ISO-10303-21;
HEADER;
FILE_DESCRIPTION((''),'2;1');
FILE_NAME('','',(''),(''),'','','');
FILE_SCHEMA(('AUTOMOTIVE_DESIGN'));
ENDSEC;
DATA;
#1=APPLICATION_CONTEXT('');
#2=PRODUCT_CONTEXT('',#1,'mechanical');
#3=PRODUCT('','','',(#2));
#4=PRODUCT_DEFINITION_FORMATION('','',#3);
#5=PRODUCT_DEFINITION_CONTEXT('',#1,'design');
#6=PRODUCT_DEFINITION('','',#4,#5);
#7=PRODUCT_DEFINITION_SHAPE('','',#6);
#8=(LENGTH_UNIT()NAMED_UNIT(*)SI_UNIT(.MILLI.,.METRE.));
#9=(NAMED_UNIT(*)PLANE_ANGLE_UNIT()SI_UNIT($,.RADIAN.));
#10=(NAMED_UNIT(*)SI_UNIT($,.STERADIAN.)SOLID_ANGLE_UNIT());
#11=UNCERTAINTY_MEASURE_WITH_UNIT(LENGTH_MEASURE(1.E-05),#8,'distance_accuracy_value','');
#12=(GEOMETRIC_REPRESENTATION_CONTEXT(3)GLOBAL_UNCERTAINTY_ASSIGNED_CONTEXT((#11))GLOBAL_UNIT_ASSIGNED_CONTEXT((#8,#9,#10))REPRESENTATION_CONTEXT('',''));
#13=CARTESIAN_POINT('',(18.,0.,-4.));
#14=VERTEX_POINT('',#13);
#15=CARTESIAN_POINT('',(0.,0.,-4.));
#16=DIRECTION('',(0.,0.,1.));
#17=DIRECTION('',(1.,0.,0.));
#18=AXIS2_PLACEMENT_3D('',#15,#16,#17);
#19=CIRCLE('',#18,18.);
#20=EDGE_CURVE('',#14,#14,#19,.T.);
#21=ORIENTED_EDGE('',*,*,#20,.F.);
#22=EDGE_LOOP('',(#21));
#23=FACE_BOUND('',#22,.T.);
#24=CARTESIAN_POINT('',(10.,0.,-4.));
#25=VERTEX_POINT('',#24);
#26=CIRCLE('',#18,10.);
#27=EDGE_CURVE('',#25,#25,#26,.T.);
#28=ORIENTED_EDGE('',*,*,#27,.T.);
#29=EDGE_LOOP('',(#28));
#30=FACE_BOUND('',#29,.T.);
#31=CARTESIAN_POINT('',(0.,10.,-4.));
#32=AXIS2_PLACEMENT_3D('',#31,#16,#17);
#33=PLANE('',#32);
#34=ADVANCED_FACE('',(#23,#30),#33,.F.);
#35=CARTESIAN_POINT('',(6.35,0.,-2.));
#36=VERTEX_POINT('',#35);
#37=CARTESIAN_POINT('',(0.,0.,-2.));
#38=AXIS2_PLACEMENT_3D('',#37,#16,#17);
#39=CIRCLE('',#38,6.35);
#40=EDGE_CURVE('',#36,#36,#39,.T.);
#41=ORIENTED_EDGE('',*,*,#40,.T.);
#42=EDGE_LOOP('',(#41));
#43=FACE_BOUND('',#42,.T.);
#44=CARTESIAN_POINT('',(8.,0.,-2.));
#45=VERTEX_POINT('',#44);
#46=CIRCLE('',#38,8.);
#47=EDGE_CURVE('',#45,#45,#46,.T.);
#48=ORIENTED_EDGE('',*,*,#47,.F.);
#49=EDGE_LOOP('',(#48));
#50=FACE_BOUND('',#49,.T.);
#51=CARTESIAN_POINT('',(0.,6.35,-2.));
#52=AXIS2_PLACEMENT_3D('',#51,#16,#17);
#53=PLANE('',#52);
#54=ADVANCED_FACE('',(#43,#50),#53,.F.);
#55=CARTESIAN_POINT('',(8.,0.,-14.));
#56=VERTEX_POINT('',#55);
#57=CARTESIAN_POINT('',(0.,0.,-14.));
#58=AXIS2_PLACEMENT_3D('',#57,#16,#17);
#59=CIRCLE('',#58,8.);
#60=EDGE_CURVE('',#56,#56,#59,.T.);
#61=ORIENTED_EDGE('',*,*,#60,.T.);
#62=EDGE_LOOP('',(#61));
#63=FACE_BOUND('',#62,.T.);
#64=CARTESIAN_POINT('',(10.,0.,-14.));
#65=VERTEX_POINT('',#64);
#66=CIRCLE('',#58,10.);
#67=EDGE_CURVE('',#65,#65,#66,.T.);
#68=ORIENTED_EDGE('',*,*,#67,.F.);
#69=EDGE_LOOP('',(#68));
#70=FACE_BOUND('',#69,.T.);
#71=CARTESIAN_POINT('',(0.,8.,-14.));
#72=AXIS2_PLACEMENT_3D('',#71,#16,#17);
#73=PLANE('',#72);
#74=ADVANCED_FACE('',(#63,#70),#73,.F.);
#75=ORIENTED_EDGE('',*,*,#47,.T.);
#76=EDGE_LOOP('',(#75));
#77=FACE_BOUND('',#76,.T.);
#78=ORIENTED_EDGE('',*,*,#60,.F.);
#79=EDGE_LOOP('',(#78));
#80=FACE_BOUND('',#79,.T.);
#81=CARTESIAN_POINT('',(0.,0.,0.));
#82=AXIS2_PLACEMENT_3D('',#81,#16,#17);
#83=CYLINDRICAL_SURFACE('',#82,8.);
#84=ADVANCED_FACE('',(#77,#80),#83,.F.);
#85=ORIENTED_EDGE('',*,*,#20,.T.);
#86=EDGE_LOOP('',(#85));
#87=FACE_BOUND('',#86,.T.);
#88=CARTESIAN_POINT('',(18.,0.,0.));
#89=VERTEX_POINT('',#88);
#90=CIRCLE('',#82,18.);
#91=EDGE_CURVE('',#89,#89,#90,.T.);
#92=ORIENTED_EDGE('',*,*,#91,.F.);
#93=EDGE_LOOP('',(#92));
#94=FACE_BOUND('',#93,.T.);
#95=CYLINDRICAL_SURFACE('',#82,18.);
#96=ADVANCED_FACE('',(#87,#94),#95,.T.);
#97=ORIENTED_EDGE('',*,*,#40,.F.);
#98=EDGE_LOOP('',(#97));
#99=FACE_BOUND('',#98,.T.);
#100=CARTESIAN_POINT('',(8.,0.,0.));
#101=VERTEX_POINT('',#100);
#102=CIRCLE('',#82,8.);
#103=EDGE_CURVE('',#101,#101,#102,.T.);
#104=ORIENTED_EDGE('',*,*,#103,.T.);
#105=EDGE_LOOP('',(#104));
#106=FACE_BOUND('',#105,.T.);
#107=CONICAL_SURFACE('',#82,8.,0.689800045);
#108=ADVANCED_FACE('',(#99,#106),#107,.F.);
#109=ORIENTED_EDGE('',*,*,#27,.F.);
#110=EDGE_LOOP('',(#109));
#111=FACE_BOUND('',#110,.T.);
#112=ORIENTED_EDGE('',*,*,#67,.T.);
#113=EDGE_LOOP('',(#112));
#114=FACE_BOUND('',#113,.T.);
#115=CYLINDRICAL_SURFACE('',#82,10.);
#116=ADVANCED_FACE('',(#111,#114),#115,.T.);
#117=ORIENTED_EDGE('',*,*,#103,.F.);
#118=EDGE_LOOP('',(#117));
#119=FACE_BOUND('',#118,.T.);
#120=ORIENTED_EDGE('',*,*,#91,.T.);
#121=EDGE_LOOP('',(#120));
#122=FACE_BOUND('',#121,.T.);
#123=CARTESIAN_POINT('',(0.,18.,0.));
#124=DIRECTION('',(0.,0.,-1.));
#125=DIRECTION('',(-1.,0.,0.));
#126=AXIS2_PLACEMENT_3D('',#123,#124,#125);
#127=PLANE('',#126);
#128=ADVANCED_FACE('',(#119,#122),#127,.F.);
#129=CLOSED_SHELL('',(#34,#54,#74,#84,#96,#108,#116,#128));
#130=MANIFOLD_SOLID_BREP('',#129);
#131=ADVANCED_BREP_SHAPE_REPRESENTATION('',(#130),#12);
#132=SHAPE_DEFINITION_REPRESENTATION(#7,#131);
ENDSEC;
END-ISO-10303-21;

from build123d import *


with BuildPart() as part:
    # Sketch1 → Revolve1 (revolve)
    with BuildSketch(Plane(origin=(0, 0, 0), x_dir=(0, 0, -1), z_dir=(1, 0, 0)), mode=Mode.PRIVATE) as revolve1_sk:
        Polygon((0, 18), (0, 8), (2, 6.35), (2, 8), (14, 8), (14, 10), (4, 10), (4, 18), align=None)
    revolve(revolve1_sk.sketch.rotate(Axis((0, 0, 0), (0, 0, -1)), 90), axis=Axis((0, 0, 0), (0, 0, -1)))  # turned: the seam where the file's is


solid = part.part
